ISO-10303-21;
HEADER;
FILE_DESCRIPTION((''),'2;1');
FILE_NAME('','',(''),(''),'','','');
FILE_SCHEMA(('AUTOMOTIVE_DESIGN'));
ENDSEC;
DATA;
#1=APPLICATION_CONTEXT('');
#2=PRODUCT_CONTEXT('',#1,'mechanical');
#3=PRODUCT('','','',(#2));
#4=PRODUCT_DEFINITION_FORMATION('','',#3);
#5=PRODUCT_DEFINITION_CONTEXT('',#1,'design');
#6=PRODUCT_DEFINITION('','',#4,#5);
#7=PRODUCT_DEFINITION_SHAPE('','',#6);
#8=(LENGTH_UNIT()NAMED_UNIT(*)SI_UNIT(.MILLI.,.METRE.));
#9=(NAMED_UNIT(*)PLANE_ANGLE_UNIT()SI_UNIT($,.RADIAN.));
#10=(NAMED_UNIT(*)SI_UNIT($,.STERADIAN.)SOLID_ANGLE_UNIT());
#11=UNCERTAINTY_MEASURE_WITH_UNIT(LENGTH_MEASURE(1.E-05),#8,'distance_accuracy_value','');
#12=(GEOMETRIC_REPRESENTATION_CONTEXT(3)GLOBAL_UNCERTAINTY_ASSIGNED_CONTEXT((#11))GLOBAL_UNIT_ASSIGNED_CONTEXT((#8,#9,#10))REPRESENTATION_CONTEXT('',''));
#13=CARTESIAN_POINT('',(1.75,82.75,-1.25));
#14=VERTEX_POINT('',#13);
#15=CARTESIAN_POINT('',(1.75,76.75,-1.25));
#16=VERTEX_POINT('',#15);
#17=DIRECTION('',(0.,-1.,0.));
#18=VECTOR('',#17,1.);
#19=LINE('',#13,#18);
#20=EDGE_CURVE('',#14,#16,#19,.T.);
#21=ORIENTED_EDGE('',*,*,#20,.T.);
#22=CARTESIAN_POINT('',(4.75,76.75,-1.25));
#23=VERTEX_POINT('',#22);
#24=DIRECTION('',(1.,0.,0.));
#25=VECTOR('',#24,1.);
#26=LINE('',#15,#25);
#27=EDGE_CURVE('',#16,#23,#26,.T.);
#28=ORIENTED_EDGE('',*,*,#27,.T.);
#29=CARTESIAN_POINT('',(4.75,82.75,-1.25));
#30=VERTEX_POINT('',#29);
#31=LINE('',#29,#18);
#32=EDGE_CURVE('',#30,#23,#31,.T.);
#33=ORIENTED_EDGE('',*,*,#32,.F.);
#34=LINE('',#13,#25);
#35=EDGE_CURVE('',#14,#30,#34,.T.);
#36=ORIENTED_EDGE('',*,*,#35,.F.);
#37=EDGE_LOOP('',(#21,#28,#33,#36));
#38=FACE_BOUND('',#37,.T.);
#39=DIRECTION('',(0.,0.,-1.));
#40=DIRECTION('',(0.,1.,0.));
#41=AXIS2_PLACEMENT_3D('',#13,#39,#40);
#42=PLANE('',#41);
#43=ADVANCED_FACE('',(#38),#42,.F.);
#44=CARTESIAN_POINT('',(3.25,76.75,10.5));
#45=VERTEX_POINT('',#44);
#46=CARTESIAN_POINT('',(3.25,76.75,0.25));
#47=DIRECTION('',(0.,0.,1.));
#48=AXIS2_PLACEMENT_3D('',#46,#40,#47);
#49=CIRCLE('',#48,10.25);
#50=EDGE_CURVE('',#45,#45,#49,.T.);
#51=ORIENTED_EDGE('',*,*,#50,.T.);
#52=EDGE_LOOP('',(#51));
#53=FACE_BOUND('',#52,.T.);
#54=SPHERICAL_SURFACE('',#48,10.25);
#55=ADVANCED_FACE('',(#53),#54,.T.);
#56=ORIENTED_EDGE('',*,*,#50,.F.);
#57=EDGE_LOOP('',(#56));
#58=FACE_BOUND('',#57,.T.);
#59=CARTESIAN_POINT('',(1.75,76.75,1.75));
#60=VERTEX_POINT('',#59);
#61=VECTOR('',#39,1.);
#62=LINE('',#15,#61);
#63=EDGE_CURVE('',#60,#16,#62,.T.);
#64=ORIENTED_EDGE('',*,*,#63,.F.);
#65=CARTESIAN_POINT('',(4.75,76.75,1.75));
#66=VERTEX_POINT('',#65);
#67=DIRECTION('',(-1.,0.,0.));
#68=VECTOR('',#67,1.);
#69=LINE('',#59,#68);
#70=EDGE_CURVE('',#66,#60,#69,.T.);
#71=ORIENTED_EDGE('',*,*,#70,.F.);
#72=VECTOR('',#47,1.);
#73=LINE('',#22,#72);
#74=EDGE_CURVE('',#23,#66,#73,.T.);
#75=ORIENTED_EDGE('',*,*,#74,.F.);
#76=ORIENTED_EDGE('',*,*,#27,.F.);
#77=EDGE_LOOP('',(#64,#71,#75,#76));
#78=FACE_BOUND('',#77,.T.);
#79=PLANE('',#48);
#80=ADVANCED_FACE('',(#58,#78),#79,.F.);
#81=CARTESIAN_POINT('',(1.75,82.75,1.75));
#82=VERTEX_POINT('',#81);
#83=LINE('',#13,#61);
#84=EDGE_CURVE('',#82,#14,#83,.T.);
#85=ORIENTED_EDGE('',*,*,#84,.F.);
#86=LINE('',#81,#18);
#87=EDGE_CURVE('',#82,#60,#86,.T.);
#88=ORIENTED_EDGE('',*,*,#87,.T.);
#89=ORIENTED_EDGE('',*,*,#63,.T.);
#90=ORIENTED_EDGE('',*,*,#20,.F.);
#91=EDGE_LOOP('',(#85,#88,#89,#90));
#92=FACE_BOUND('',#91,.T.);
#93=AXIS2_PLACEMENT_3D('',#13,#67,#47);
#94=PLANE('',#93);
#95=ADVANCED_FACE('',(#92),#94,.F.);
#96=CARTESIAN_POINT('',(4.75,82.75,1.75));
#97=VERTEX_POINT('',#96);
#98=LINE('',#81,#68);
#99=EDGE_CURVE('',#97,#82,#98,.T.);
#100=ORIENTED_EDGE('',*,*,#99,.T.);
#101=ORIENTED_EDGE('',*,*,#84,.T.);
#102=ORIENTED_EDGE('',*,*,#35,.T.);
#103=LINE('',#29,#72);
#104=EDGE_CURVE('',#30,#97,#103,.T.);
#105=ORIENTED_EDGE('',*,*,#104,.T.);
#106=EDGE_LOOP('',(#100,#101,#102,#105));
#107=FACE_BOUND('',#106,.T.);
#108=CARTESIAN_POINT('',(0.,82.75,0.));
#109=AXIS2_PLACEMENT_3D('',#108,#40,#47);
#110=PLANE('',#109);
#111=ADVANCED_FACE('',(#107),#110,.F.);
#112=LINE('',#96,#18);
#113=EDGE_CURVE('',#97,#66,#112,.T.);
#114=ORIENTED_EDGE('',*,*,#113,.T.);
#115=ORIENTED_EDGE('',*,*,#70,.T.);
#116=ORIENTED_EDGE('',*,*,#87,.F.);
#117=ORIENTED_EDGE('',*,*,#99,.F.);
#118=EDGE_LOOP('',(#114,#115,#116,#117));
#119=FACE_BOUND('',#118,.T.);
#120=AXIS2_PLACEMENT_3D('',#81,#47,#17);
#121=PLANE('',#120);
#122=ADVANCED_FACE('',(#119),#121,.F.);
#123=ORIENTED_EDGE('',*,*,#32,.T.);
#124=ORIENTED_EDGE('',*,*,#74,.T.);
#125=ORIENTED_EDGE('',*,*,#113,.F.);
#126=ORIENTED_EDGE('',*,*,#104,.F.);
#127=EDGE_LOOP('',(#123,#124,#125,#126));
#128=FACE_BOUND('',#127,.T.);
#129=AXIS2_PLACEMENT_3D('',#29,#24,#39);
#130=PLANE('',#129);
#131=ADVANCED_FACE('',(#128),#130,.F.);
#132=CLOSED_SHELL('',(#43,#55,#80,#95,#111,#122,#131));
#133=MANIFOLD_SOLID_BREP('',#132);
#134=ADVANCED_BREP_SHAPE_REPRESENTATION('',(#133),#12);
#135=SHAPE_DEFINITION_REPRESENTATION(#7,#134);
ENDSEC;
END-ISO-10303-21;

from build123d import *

# Parameters (mm, degrees)
REVOLVE1_ANGLE     = 180
SKETCH2_W          = 3
SKETCH2_H          = 3
CUT_EXTRUDE1_DEPTH = 6


with BuildPart() as part:
    # Sketch1 → Revolve1 (revolve)
    with BuildSketch(Plane(origin=(0, 76.75, 0), x_dir=(-1, 0, 0), z_dir=(0, -1, 0))):
        with BuildLine():
            Line((-13.5, -0.25), (7, -0.25))
            ThreePointArc((7, -0.25), (-3.25, -10.5), (-13.5, -0.25))
        make_face()
    revolve(axis=Axis((13.5, 76.75, 0.25), (-1, 0, 0)), revolution_arc=REVOLVE1_ANGLE)

    # Sketch2 → Cut-Extrude1 (cut)
    with BuildSketch(Plane.XZ.offset(-76.75)):
        with Locations((3.25, 0.25)):
            Rectangle(SKETCH2_W, SKETCH2_H)
    extrude(amount=-CUT_EXTRUDE1_DEPTH, mode=Mode.SUBTRACT)


solid = part.part
